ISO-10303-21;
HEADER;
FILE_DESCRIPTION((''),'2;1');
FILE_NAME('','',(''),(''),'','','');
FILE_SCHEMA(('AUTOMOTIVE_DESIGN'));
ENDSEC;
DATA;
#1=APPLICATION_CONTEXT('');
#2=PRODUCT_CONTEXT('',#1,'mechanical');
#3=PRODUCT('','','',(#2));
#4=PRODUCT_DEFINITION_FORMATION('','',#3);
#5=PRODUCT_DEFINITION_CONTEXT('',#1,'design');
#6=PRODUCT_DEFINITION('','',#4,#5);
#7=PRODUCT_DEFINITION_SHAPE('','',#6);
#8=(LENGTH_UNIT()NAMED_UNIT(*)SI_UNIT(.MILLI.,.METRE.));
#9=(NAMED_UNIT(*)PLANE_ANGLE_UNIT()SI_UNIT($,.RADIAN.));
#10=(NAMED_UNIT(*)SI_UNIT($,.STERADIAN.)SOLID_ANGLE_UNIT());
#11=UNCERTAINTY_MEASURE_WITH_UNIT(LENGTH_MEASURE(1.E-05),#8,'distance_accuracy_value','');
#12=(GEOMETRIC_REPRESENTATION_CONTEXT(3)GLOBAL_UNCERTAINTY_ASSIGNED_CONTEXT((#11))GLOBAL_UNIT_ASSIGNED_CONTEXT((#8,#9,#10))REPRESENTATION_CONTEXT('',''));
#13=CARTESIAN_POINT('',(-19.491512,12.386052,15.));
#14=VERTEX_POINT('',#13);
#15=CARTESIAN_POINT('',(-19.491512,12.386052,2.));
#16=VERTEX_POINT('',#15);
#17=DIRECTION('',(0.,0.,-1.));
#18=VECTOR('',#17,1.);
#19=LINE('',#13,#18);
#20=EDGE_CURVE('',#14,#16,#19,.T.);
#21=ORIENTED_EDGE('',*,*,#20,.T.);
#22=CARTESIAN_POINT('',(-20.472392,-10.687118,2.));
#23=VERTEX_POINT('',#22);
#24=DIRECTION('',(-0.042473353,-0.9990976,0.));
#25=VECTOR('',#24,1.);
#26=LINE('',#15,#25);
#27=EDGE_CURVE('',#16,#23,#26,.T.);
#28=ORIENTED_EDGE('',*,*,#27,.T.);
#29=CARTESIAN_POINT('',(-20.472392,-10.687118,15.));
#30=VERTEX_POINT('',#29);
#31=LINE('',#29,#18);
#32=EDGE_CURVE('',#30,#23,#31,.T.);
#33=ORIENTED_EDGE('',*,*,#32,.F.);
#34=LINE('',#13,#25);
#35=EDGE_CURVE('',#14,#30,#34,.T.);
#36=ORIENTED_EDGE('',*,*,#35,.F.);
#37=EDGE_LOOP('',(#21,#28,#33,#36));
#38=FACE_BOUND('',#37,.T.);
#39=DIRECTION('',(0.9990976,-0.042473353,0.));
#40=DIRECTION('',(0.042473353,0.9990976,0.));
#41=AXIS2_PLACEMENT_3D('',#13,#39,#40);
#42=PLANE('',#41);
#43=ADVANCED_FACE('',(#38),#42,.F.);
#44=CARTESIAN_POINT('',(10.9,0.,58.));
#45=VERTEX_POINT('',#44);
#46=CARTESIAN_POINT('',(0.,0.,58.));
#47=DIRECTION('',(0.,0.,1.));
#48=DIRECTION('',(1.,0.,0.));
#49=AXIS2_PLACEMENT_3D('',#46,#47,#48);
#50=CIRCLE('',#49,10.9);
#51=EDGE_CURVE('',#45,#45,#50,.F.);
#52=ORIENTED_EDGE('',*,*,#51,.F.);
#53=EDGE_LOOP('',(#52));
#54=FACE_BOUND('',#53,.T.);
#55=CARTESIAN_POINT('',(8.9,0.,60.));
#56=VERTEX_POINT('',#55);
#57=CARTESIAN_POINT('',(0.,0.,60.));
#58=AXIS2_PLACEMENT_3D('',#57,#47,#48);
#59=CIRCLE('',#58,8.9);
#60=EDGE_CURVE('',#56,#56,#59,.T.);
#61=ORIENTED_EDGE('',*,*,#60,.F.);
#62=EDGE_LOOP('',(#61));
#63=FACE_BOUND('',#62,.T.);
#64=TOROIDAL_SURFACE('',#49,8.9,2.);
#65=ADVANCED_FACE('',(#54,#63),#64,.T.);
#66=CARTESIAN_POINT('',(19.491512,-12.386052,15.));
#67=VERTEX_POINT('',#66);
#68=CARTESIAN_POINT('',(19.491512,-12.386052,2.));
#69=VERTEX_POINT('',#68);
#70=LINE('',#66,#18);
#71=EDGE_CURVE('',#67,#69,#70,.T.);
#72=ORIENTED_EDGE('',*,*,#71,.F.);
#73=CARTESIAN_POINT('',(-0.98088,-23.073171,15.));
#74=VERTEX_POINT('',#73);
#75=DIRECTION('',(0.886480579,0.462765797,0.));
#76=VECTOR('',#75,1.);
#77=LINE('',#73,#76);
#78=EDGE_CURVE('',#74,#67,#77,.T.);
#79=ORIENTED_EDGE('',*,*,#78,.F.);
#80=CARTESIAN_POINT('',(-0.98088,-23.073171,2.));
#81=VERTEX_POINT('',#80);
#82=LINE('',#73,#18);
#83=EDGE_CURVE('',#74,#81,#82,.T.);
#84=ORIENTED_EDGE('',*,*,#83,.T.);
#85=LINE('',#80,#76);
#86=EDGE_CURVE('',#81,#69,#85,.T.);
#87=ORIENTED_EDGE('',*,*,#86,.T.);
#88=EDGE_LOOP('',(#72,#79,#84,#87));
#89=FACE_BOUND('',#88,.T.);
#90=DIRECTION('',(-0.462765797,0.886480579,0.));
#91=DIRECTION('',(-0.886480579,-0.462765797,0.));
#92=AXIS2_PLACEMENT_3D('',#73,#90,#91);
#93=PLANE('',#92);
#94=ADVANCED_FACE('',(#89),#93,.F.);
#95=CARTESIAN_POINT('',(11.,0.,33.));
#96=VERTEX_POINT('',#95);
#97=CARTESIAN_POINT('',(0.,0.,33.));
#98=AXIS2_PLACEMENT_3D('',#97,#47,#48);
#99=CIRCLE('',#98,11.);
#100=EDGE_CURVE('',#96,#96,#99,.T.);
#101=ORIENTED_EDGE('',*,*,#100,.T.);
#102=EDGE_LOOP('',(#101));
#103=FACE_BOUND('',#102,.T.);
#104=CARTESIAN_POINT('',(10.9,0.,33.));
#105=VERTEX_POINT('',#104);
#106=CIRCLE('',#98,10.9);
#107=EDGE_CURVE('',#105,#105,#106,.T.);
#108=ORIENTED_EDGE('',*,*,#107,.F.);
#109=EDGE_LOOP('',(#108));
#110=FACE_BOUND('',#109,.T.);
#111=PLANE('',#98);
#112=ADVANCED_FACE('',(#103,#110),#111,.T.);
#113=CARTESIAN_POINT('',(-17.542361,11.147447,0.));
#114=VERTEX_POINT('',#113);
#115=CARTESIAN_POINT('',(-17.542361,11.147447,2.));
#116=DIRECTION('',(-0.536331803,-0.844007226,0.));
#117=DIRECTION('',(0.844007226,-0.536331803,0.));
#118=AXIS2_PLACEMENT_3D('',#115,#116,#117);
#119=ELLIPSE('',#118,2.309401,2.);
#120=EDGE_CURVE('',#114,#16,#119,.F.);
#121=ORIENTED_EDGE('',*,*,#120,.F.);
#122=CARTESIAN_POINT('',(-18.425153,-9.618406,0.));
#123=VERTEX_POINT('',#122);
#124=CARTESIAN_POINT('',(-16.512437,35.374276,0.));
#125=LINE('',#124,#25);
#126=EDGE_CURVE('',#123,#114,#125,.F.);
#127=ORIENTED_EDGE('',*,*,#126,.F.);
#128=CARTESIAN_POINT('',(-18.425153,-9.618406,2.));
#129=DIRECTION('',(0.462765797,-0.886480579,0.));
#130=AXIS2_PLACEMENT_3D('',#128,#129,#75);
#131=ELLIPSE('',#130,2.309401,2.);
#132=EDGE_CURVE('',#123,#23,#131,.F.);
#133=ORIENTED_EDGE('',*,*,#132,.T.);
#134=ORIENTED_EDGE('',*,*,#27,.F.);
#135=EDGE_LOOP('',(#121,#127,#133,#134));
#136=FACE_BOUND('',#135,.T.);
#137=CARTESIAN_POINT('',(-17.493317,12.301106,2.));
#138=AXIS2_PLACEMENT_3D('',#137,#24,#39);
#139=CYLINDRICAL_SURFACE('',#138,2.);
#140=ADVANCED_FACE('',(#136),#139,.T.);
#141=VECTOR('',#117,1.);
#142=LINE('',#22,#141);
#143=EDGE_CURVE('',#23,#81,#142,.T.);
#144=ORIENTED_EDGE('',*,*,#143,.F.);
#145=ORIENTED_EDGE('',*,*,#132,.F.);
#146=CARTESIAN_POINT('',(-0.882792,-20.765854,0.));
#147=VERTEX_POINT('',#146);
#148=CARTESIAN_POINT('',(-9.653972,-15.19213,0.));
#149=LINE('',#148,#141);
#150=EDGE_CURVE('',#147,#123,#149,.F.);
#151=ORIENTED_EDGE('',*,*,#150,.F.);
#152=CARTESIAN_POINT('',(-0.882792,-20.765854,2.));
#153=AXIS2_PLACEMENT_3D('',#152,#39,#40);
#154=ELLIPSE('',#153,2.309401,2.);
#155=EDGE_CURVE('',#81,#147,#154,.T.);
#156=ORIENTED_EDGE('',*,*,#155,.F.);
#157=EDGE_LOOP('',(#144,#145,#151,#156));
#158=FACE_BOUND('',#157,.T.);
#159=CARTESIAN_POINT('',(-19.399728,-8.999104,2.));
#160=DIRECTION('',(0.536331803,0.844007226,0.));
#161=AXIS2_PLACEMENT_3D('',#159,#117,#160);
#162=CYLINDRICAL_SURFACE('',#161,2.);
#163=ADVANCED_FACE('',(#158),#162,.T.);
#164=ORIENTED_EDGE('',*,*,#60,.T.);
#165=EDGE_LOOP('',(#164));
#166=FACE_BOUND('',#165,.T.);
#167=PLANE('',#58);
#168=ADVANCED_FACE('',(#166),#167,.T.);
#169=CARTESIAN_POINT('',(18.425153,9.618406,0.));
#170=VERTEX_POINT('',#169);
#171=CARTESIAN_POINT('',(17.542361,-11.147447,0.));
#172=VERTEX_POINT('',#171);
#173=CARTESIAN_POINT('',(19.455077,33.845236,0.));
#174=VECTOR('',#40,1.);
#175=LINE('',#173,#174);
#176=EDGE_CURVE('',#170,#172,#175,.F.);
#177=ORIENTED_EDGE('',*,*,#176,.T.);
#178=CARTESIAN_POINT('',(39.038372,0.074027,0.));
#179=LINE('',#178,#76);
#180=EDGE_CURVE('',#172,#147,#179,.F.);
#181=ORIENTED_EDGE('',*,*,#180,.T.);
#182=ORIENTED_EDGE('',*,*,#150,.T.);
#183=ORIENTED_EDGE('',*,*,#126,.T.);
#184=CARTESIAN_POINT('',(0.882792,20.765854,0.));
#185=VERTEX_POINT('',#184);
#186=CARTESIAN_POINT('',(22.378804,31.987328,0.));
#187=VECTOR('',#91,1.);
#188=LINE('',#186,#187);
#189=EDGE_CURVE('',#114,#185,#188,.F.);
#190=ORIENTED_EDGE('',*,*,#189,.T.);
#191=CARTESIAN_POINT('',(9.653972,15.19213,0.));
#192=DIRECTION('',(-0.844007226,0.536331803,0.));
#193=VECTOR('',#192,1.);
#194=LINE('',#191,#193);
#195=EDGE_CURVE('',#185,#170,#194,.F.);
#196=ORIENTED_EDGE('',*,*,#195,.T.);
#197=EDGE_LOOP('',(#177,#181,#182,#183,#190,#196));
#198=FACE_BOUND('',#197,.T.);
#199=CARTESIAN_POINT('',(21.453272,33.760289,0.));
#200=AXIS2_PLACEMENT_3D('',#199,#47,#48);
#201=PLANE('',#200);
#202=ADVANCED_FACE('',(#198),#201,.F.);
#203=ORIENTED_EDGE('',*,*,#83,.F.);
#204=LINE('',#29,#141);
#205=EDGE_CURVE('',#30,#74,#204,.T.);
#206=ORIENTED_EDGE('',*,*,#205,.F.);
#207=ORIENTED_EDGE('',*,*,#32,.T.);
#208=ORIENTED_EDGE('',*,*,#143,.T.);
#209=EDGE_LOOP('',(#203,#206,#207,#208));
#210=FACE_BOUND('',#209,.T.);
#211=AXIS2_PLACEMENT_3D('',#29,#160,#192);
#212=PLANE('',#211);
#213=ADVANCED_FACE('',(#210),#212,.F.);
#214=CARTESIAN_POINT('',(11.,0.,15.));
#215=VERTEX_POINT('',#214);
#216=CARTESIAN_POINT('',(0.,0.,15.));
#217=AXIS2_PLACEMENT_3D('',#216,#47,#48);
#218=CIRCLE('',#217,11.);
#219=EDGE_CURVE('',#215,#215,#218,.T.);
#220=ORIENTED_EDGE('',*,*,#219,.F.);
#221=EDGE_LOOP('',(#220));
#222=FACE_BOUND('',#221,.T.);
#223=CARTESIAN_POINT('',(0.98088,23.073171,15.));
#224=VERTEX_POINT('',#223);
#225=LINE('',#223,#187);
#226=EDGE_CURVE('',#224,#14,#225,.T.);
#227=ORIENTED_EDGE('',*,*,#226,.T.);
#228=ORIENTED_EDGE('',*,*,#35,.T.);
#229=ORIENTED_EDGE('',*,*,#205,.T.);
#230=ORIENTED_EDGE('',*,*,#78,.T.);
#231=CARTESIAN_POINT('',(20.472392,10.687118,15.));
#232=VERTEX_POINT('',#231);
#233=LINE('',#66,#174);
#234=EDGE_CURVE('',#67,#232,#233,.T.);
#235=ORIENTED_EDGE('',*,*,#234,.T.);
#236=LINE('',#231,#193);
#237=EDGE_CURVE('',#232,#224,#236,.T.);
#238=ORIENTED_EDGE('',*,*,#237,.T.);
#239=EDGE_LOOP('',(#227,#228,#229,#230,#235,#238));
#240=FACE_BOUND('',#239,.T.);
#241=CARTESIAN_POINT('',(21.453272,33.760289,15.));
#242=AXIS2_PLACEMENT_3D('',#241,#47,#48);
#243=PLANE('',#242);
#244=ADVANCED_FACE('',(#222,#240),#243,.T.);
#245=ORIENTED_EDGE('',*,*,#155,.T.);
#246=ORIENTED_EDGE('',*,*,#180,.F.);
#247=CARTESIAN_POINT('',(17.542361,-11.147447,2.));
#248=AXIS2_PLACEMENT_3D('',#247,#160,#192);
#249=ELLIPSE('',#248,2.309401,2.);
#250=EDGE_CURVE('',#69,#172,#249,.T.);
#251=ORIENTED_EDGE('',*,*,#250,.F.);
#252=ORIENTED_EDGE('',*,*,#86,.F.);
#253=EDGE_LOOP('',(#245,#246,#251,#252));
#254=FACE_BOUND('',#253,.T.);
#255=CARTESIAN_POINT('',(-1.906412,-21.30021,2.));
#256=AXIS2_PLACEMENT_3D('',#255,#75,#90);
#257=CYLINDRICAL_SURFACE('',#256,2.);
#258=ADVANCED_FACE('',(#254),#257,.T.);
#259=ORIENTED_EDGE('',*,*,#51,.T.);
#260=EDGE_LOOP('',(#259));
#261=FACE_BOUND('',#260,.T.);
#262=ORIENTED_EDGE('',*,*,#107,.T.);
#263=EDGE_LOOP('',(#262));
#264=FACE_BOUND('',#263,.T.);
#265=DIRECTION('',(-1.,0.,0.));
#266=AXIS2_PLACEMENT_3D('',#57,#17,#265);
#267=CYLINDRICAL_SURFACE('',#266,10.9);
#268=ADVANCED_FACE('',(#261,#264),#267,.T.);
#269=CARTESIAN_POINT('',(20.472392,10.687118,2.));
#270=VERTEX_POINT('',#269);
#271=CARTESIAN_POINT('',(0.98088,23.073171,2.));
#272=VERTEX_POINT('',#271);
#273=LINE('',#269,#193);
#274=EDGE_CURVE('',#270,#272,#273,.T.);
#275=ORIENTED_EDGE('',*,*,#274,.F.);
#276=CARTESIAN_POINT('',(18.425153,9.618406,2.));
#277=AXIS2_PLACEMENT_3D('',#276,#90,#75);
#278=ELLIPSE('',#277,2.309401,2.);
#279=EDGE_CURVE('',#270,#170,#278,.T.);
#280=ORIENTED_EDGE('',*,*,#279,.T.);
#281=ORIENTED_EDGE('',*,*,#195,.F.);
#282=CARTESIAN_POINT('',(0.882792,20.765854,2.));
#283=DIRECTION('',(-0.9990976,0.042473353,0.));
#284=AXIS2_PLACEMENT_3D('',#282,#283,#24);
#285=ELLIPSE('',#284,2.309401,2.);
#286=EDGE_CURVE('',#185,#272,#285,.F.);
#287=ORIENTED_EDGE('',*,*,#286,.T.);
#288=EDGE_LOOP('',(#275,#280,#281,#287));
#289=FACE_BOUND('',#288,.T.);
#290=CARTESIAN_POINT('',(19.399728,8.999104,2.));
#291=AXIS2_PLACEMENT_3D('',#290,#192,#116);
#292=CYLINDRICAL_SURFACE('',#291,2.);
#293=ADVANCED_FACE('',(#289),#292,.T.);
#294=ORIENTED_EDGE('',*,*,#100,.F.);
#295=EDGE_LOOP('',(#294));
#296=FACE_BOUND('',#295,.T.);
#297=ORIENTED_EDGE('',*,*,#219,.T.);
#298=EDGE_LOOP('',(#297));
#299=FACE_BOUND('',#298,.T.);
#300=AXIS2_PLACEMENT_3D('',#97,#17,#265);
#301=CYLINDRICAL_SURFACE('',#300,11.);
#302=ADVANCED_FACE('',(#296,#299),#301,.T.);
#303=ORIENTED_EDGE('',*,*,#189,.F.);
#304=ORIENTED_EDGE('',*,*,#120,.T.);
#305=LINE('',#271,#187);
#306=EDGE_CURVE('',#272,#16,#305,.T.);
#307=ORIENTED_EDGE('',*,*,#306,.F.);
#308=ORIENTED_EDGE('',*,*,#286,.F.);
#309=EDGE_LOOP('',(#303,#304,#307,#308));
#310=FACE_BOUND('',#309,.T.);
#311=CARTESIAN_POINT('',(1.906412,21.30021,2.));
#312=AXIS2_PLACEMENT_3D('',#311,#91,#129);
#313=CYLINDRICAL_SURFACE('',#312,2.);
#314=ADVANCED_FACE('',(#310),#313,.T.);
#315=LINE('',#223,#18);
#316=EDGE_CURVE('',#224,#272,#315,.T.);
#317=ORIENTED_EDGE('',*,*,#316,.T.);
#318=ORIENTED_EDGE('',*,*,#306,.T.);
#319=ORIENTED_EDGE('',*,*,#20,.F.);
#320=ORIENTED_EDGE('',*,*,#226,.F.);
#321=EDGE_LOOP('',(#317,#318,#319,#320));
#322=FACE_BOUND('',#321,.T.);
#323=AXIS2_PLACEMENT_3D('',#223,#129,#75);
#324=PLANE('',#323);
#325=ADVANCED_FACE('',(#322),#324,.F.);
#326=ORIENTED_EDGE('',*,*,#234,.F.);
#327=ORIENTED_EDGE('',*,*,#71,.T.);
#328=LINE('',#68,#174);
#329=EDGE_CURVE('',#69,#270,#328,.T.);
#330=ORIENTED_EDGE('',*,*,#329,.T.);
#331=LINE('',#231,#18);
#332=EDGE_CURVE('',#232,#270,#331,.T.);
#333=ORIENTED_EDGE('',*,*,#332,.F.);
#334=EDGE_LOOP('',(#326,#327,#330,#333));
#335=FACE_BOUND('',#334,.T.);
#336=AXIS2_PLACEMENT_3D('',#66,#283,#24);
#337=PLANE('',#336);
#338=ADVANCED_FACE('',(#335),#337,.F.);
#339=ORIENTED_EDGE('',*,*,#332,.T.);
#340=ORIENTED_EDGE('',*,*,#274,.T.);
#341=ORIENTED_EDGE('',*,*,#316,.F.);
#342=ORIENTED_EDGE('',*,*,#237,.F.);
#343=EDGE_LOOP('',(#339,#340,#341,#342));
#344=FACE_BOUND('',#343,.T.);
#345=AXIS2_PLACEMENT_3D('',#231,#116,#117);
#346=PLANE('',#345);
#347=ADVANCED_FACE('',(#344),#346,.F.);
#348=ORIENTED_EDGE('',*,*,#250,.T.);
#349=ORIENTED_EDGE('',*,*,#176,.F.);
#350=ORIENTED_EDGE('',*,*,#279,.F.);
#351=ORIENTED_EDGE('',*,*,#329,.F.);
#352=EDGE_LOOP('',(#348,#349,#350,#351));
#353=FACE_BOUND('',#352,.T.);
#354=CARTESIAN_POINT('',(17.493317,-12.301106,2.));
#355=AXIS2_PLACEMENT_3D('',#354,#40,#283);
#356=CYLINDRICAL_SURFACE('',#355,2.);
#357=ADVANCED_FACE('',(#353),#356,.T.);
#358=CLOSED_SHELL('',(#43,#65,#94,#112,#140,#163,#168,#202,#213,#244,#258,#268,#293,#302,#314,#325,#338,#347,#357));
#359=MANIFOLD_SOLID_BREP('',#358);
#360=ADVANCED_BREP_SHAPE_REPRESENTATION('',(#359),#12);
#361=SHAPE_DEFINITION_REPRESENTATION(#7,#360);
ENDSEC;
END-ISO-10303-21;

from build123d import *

# Parameters (mm, degrees)
EXTRUDE_430_DEPTH = 15
SKETCH_2_R        = 11
EXTRUDE_1_DEPTH   = 18
FILLET_3_R        = 2
SKETCH_3_R        = 10.9
EXTRUDE_1_2_DEPTH = 27
FILLET_4_R        = 2


with BuildPart() as part:
    # 草图1 → Extrude 430 (new body)
    with BuildSketch(Plane.XY):
        Polygon((20.472392036, 10.687118304), (0.980880074, 23.073170732), (-19.491511963, 12.386052428), (-20.472392036, -10.687118304), (-0.980880074, -23.073170732), (19.491511963, -12.386052428), align=None)
    extrude(amount=EXTRUDE_430_DEPTH)

    # 草图2 → Extrude 1 (add)
    with BuildSketch(Plane.XY.offset(15)):
        Circle(SKETCH_2_R)
    extrude(amount=EXTRUDE_1_DEPTH)

    # 圆角3
    fillet_3_edges = [part.edges().sort_by_distance(p)[0] for p in [
        (9.255315945, -17.72961158, 0),
        (-10.726636055, -16.880144518, 0),
        (-19.981952, 0.849467062, 0),
        (-9.255315945, 17.72961158, 0),
        (10.726636055, 16.880144518, 0),
        (19.981952, -0.849467062, 0),
    ]]
    fillet(fillet_3_edges, radius=FILLET_3_R)

    # 草图3 → Extrude 1 2 (add)
    with BuildSketch(Plane.XY.offset(33)):
        Circle(SKETCH_3_R)
    extrude(amount=EXTRUDE_1_2_DEPTH)

    # 圆角4
    fillet_4_edges = [part.edges().sort_by_distance(p)[0] for p in [
        (-10.9, 0, 60),
    ]]
    fillet(fillet_4_edges, radius=FILLET_4_R)


solid = part.part
